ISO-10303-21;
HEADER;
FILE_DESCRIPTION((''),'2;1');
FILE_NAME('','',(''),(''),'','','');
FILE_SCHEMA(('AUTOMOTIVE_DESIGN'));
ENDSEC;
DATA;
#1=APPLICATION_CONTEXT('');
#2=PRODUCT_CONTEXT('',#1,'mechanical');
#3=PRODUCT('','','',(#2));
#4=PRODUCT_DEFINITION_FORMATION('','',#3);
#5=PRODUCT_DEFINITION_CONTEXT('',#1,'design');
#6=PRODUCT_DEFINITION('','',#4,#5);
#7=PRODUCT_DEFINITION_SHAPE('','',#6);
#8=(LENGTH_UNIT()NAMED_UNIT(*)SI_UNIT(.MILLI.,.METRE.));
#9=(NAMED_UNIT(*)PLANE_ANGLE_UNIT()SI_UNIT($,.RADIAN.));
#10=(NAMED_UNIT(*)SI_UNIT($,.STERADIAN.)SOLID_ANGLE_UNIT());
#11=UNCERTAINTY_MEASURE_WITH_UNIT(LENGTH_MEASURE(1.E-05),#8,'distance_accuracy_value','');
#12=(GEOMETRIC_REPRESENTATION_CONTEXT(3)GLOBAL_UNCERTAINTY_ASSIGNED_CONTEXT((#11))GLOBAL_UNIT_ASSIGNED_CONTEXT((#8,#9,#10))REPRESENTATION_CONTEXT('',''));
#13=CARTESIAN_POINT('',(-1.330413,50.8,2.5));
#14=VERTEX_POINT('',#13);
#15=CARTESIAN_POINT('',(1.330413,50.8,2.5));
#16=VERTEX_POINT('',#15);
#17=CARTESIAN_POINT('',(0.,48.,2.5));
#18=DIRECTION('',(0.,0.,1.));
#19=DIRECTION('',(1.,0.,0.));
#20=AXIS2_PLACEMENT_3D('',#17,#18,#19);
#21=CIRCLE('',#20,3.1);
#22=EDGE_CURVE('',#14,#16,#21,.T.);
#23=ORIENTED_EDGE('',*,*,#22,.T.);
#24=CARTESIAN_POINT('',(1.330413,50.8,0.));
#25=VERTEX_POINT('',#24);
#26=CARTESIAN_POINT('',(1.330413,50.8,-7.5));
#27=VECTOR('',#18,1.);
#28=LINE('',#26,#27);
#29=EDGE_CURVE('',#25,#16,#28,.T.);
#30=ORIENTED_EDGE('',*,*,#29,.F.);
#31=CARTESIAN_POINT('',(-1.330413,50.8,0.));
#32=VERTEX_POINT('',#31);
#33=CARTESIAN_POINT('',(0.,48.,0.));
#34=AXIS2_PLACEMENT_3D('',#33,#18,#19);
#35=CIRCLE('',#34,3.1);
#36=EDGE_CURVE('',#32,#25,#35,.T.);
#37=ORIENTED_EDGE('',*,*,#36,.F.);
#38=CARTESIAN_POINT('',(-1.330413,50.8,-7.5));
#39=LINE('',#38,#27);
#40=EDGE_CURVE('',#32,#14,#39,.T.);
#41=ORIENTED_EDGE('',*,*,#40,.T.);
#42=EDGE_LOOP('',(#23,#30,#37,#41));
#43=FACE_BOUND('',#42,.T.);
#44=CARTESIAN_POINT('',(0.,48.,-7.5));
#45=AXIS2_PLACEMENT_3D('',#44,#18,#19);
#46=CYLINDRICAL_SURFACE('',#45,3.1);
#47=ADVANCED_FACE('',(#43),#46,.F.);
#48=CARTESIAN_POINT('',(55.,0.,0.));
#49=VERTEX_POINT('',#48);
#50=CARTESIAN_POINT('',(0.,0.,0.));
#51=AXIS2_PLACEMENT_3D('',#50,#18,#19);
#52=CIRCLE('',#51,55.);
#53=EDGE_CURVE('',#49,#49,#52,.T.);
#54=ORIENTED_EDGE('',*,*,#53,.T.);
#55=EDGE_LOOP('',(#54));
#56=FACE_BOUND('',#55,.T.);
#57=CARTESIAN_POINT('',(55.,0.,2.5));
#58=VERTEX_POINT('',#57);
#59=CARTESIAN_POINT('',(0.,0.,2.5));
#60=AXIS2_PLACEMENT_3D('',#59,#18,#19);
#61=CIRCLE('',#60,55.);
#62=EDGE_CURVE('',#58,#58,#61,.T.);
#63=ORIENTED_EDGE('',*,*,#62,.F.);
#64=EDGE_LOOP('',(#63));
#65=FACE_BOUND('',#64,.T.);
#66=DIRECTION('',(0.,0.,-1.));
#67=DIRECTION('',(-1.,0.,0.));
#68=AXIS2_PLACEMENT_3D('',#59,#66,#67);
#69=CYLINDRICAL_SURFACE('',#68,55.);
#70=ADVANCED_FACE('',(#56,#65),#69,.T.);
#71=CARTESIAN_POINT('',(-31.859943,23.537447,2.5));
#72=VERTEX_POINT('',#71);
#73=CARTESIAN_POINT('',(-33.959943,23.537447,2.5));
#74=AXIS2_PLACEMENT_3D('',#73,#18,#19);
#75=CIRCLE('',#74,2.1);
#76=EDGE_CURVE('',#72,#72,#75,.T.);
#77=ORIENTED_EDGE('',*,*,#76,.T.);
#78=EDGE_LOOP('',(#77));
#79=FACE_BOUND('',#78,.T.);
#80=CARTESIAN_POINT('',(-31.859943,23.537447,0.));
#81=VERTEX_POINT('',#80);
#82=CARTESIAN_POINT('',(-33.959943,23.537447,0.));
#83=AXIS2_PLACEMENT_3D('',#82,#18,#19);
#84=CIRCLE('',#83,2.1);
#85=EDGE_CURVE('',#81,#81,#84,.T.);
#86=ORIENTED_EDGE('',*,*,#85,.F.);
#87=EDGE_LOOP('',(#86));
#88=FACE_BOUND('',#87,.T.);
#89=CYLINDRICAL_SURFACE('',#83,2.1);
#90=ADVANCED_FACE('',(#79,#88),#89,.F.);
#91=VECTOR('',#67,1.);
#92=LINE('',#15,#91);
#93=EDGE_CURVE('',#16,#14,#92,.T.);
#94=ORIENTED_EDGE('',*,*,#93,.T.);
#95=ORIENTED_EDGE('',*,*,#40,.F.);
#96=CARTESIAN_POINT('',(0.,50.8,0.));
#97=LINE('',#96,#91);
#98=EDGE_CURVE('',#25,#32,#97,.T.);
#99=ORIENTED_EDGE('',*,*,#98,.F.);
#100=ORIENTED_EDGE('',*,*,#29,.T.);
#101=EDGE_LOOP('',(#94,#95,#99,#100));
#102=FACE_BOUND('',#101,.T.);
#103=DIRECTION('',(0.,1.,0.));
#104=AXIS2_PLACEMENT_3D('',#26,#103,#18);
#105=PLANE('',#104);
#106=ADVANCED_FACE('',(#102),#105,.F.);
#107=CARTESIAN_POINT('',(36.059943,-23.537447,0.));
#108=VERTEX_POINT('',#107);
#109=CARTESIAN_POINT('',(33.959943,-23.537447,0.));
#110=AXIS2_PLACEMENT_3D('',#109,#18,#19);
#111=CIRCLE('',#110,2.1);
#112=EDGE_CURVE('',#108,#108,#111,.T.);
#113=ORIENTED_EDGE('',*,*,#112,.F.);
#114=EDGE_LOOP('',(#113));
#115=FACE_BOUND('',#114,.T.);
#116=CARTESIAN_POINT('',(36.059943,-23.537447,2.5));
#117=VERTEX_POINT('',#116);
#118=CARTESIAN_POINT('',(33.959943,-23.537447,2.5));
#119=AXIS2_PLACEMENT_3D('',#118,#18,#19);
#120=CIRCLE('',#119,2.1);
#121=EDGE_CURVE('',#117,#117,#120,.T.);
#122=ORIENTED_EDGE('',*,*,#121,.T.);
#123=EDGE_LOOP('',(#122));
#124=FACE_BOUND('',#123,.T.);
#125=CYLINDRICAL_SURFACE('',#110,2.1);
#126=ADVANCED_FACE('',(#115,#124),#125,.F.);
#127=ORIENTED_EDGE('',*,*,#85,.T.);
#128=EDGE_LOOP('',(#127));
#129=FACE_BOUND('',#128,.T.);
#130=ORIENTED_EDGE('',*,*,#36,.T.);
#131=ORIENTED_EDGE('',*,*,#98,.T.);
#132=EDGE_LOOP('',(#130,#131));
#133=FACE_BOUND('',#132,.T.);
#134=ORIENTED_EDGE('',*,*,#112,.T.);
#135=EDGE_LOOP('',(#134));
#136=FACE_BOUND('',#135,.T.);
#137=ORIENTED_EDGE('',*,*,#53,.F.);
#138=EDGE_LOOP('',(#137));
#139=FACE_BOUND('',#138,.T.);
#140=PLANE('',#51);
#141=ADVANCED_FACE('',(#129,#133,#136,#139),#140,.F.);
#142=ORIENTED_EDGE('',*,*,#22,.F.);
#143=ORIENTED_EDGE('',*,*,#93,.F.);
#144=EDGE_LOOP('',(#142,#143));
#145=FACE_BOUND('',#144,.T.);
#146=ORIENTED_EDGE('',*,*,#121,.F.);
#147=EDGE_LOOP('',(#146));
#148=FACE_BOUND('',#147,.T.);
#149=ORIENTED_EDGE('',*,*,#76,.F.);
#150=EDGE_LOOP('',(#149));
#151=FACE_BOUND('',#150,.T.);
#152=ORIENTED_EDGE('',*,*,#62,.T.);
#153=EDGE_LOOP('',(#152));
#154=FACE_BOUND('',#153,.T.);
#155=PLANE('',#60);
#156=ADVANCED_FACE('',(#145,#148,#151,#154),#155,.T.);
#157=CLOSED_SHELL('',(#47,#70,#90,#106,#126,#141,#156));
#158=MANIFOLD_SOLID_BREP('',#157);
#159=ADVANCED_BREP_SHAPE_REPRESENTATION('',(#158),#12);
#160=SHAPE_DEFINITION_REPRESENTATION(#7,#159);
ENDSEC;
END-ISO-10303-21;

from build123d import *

# Parameters (mm, degrees)
ESQUISSE1_R             = 55
BOSS_EXTRU_1_DEPTH      = 2.5
ESQUISSE2_R             = 2.1
ENL_V_MAT_EXTRU_1_DEPTH = 78.821912081
ENL_V_MAT_EXTRU_2_DEPTH = 10


with BuildPart() as part:
    # Esquisse1 → Boss.-Extru.1 (new body)
    with BuildSketch(Plane.XY):
        Circle(ESQUISSE1_R)
    extrude(amount=BOSS_EXTRU_1_DEPTH)

    # Esquisse2 → Enlèv. mat.-Extru.1 (cut, through all)
    with BuildSketch(Plane.XY.offset(2.5)):
        with Locations((33.959943273, -23.5374475)):
            Circle(ESQUISSE2_R)
        with Locations((-33.959943273, 23.5374475)):
            Circle(ESQUISSE2_R)
    extrude(amount=-ENL_V_MAT_EXTRU_1_DEPTH, mode=Mode.SUBTRACT)

    # Esquisse3 → Enlèv. mat.-Extru.2 (cut)
    with BuildSketch(Plane.XY.offset(2.5)):
        with BuildLine():
            Line((1.33041347, 50.8), (-1.33041347, 50.8))
            ThreePointArc((-1.33041347, 50.8), (0, 44.9), (1.33041347, 50.8))
        make_face()
    extrude(amount=-ENL_V_MAT_EXTRU_2_DEPTH, mode=Mode.SUBTRACT)


solid = part.part
